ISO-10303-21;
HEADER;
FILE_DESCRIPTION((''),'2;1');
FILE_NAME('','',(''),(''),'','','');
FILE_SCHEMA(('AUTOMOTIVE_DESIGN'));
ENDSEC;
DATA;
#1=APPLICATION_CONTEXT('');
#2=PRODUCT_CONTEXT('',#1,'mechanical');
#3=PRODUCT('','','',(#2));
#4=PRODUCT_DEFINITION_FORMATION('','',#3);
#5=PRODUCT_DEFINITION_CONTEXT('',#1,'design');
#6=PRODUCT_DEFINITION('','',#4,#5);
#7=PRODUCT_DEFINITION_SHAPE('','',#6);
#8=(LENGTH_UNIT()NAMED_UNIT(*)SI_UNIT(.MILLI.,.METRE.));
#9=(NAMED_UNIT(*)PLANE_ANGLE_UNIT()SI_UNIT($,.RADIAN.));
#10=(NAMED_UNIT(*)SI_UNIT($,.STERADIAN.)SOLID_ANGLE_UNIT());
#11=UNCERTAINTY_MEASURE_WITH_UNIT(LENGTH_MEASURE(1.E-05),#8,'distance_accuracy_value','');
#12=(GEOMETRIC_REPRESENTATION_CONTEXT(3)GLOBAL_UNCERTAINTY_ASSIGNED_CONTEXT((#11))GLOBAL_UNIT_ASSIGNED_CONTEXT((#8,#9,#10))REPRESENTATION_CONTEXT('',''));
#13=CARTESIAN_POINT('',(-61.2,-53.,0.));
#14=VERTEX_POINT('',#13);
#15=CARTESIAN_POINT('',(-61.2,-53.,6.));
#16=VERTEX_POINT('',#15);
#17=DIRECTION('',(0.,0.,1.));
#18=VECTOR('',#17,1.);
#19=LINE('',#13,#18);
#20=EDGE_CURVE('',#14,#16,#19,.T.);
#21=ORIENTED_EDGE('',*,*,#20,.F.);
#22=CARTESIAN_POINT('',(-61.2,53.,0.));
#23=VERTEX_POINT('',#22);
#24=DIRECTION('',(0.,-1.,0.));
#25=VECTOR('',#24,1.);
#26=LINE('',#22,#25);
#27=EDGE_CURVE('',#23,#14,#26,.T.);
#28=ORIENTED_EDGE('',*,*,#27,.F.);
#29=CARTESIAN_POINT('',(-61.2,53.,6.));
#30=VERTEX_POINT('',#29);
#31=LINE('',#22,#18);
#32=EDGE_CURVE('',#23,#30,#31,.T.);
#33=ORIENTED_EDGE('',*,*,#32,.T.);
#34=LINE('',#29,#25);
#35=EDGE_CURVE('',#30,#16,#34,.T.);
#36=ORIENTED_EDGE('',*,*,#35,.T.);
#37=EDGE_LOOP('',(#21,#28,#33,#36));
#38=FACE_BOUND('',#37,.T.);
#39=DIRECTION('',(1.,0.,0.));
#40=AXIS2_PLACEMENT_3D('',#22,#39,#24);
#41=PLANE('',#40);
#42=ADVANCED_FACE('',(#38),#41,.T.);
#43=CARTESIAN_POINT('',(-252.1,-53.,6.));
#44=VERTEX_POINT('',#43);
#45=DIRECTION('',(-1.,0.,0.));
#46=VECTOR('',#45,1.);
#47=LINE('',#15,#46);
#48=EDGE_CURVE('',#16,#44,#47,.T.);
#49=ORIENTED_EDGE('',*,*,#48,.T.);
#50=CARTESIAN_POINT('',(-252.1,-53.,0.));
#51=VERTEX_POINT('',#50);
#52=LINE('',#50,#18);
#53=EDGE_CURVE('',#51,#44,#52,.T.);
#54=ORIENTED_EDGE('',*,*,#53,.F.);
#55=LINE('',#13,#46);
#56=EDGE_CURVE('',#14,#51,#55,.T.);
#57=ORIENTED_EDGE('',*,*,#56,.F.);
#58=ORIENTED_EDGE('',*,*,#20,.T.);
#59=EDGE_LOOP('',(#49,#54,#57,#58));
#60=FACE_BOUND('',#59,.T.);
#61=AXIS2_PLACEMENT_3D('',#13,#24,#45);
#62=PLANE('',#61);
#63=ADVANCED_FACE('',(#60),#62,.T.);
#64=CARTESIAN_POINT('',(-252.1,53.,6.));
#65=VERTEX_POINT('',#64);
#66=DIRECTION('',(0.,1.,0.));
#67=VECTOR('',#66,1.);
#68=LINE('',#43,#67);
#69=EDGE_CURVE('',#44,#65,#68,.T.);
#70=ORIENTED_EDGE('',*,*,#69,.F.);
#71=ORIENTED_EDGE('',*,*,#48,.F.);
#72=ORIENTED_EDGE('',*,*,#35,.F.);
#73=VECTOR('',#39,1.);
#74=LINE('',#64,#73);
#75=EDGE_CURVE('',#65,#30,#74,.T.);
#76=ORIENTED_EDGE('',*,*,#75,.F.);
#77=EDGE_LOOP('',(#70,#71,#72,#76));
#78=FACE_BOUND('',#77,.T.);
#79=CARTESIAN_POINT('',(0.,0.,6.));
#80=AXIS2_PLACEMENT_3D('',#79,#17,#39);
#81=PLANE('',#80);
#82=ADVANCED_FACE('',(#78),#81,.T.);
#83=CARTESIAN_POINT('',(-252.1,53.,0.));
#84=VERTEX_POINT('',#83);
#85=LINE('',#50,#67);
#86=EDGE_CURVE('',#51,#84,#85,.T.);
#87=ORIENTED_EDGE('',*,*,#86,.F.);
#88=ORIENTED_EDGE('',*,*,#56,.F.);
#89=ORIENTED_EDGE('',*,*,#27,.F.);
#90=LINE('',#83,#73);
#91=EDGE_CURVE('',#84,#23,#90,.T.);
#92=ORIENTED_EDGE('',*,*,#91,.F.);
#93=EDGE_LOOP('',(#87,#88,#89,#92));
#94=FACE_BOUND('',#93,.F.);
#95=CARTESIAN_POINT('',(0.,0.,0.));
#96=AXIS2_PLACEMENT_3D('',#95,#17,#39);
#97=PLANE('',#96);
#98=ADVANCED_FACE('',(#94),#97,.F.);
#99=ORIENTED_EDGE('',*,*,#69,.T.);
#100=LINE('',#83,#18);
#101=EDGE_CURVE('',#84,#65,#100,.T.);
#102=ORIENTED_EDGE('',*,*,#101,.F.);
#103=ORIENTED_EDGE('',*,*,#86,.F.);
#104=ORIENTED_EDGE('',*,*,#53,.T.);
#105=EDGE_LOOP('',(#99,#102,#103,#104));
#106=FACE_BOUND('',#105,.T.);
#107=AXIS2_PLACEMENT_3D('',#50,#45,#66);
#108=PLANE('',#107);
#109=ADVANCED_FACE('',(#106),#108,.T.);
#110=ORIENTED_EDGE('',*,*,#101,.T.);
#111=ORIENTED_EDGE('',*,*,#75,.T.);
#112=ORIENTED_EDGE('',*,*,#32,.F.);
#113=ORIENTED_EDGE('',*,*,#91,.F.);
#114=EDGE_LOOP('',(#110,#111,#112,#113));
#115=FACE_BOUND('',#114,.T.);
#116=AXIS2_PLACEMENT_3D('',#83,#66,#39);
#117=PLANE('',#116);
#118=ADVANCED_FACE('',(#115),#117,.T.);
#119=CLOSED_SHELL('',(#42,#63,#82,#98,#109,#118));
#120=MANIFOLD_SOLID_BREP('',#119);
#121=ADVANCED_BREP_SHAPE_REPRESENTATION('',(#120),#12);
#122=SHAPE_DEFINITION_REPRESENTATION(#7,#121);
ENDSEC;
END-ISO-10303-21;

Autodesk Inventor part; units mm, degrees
ref_plane "YZ Plane" through (0, 0, 0) normal (1, 0, 0) x (0, 1, 0)
ref_plane "XZ Plane" through (0, 0, 0) normal (0, 1, 0) x (-1, 0, 0)
ref_plane "XY Plane" through (0, 0, 0) normal (0, 0, 1) x (1, 0, 0)
sketch "Boceto1" plane through (0, 0, 0) normal (0, 0, 1) x (1, 0, 0)
  line L0 (-76.2, -33) -> (-76.2, 33) construction
  arc A0 (-76.2, 33) -> (-84.2, 41) centre (-84.2, 33) ccw construction
  line L1 (-84.2, 41) -> (-229.1, 41) construction
  arc A1 (-229.1, 41) -> (-237.1, 33) centre (-229.1, 33) ccw construction
  line L2 (-237.1, 33) -> (-237.1, -33) construction
  arc A2 (-237.1, -33) -> (-229.1, -41) centre (-229.1, -33) ccw construction
  line L3 (-229.1, -41) -> (-84.2, -41) construction
  arc A3 (-84.2, -41) -> (-76.2, -33) centre (-84.2, -33) ccw construction
  line L4 (-61.2, -53) -> (-252.1, -53)
  line L5 (-252.1, -53) -> (-252.1, 53)
  line L6 (-252.1, 53) -> (-61.2, 53)
  line L7 (-61.2, 53) -> (-61.2, -53)
  point P0 (0, 0)
  point P1 (-156.65, -41)
  point P2 (-156.65, -53)
  point P3 (-76.2, 0)
  point P4 (-61.2, 0)
  dimension "d0" = 15
  dimension "d1" = 106
extrude "Extrusión1" add sketch "Boceto1" along normal blind 6
properties part number "tapa acrilica"
